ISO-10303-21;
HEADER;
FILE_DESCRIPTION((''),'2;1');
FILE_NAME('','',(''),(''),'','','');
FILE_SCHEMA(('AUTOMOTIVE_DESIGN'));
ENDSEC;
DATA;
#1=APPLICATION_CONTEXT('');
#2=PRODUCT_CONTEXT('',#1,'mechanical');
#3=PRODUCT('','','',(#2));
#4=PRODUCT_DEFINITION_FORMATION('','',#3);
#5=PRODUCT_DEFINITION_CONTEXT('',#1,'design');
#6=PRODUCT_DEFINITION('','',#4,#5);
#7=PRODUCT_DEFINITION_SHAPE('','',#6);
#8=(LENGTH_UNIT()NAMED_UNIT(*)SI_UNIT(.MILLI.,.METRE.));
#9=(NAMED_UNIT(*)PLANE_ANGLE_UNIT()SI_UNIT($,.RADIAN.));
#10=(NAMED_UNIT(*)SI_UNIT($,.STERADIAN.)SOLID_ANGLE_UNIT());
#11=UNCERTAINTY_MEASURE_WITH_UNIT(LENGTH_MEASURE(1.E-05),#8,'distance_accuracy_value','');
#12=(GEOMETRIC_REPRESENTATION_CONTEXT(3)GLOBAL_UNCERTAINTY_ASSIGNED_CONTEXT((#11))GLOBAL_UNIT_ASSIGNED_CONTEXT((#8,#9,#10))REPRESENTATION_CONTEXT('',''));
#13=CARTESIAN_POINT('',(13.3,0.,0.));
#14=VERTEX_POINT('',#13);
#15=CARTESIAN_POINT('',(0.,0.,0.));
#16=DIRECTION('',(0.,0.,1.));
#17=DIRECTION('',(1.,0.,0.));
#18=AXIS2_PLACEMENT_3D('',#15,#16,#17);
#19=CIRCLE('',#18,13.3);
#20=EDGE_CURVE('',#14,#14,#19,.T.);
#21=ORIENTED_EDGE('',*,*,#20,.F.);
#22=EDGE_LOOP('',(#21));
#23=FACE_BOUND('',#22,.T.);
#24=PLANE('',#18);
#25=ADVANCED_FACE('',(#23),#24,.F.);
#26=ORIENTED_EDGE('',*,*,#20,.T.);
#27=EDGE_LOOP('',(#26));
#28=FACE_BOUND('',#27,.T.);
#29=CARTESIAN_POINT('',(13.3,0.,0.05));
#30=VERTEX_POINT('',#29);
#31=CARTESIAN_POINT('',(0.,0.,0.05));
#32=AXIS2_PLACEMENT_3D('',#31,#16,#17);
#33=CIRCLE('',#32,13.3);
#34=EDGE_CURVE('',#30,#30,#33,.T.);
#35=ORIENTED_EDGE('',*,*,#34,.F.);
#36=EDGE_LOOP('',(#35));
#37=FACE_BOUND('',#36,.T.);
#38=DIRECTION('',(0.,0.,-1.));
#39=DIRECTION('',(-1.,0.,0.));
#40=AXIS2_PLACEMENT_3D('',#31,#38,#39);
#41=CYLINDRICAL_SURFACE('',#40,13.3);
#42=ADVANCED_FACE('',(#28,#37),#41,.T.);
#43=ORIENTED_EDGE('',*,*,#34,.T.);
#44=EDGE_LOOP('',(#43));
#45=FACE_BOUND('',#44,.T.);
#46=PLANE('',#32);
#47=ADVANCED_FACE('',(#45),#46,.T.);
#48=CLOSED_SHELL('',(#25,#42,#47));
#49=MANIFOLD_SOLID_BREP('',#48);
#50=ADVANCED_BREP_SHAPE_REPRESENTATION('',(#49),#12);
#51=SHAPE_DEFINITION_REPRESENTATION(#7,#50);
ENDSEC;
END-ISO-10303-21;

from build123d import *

# Parameters (mm, degrees)
ESQUISSE1_R        = 13.3
BOSS_EXTRU_1_DEPTH = 0.05


with BuildPart() as part:
    # Esquisse1 → Boss.-Extru.1 (new body)
    with BuildSketch(Plane.XY):
        Circle(ESQUISSE1_R)
    extrude(amount=BOSS_EXTRU_1_DEPTH)


solid = part.part
